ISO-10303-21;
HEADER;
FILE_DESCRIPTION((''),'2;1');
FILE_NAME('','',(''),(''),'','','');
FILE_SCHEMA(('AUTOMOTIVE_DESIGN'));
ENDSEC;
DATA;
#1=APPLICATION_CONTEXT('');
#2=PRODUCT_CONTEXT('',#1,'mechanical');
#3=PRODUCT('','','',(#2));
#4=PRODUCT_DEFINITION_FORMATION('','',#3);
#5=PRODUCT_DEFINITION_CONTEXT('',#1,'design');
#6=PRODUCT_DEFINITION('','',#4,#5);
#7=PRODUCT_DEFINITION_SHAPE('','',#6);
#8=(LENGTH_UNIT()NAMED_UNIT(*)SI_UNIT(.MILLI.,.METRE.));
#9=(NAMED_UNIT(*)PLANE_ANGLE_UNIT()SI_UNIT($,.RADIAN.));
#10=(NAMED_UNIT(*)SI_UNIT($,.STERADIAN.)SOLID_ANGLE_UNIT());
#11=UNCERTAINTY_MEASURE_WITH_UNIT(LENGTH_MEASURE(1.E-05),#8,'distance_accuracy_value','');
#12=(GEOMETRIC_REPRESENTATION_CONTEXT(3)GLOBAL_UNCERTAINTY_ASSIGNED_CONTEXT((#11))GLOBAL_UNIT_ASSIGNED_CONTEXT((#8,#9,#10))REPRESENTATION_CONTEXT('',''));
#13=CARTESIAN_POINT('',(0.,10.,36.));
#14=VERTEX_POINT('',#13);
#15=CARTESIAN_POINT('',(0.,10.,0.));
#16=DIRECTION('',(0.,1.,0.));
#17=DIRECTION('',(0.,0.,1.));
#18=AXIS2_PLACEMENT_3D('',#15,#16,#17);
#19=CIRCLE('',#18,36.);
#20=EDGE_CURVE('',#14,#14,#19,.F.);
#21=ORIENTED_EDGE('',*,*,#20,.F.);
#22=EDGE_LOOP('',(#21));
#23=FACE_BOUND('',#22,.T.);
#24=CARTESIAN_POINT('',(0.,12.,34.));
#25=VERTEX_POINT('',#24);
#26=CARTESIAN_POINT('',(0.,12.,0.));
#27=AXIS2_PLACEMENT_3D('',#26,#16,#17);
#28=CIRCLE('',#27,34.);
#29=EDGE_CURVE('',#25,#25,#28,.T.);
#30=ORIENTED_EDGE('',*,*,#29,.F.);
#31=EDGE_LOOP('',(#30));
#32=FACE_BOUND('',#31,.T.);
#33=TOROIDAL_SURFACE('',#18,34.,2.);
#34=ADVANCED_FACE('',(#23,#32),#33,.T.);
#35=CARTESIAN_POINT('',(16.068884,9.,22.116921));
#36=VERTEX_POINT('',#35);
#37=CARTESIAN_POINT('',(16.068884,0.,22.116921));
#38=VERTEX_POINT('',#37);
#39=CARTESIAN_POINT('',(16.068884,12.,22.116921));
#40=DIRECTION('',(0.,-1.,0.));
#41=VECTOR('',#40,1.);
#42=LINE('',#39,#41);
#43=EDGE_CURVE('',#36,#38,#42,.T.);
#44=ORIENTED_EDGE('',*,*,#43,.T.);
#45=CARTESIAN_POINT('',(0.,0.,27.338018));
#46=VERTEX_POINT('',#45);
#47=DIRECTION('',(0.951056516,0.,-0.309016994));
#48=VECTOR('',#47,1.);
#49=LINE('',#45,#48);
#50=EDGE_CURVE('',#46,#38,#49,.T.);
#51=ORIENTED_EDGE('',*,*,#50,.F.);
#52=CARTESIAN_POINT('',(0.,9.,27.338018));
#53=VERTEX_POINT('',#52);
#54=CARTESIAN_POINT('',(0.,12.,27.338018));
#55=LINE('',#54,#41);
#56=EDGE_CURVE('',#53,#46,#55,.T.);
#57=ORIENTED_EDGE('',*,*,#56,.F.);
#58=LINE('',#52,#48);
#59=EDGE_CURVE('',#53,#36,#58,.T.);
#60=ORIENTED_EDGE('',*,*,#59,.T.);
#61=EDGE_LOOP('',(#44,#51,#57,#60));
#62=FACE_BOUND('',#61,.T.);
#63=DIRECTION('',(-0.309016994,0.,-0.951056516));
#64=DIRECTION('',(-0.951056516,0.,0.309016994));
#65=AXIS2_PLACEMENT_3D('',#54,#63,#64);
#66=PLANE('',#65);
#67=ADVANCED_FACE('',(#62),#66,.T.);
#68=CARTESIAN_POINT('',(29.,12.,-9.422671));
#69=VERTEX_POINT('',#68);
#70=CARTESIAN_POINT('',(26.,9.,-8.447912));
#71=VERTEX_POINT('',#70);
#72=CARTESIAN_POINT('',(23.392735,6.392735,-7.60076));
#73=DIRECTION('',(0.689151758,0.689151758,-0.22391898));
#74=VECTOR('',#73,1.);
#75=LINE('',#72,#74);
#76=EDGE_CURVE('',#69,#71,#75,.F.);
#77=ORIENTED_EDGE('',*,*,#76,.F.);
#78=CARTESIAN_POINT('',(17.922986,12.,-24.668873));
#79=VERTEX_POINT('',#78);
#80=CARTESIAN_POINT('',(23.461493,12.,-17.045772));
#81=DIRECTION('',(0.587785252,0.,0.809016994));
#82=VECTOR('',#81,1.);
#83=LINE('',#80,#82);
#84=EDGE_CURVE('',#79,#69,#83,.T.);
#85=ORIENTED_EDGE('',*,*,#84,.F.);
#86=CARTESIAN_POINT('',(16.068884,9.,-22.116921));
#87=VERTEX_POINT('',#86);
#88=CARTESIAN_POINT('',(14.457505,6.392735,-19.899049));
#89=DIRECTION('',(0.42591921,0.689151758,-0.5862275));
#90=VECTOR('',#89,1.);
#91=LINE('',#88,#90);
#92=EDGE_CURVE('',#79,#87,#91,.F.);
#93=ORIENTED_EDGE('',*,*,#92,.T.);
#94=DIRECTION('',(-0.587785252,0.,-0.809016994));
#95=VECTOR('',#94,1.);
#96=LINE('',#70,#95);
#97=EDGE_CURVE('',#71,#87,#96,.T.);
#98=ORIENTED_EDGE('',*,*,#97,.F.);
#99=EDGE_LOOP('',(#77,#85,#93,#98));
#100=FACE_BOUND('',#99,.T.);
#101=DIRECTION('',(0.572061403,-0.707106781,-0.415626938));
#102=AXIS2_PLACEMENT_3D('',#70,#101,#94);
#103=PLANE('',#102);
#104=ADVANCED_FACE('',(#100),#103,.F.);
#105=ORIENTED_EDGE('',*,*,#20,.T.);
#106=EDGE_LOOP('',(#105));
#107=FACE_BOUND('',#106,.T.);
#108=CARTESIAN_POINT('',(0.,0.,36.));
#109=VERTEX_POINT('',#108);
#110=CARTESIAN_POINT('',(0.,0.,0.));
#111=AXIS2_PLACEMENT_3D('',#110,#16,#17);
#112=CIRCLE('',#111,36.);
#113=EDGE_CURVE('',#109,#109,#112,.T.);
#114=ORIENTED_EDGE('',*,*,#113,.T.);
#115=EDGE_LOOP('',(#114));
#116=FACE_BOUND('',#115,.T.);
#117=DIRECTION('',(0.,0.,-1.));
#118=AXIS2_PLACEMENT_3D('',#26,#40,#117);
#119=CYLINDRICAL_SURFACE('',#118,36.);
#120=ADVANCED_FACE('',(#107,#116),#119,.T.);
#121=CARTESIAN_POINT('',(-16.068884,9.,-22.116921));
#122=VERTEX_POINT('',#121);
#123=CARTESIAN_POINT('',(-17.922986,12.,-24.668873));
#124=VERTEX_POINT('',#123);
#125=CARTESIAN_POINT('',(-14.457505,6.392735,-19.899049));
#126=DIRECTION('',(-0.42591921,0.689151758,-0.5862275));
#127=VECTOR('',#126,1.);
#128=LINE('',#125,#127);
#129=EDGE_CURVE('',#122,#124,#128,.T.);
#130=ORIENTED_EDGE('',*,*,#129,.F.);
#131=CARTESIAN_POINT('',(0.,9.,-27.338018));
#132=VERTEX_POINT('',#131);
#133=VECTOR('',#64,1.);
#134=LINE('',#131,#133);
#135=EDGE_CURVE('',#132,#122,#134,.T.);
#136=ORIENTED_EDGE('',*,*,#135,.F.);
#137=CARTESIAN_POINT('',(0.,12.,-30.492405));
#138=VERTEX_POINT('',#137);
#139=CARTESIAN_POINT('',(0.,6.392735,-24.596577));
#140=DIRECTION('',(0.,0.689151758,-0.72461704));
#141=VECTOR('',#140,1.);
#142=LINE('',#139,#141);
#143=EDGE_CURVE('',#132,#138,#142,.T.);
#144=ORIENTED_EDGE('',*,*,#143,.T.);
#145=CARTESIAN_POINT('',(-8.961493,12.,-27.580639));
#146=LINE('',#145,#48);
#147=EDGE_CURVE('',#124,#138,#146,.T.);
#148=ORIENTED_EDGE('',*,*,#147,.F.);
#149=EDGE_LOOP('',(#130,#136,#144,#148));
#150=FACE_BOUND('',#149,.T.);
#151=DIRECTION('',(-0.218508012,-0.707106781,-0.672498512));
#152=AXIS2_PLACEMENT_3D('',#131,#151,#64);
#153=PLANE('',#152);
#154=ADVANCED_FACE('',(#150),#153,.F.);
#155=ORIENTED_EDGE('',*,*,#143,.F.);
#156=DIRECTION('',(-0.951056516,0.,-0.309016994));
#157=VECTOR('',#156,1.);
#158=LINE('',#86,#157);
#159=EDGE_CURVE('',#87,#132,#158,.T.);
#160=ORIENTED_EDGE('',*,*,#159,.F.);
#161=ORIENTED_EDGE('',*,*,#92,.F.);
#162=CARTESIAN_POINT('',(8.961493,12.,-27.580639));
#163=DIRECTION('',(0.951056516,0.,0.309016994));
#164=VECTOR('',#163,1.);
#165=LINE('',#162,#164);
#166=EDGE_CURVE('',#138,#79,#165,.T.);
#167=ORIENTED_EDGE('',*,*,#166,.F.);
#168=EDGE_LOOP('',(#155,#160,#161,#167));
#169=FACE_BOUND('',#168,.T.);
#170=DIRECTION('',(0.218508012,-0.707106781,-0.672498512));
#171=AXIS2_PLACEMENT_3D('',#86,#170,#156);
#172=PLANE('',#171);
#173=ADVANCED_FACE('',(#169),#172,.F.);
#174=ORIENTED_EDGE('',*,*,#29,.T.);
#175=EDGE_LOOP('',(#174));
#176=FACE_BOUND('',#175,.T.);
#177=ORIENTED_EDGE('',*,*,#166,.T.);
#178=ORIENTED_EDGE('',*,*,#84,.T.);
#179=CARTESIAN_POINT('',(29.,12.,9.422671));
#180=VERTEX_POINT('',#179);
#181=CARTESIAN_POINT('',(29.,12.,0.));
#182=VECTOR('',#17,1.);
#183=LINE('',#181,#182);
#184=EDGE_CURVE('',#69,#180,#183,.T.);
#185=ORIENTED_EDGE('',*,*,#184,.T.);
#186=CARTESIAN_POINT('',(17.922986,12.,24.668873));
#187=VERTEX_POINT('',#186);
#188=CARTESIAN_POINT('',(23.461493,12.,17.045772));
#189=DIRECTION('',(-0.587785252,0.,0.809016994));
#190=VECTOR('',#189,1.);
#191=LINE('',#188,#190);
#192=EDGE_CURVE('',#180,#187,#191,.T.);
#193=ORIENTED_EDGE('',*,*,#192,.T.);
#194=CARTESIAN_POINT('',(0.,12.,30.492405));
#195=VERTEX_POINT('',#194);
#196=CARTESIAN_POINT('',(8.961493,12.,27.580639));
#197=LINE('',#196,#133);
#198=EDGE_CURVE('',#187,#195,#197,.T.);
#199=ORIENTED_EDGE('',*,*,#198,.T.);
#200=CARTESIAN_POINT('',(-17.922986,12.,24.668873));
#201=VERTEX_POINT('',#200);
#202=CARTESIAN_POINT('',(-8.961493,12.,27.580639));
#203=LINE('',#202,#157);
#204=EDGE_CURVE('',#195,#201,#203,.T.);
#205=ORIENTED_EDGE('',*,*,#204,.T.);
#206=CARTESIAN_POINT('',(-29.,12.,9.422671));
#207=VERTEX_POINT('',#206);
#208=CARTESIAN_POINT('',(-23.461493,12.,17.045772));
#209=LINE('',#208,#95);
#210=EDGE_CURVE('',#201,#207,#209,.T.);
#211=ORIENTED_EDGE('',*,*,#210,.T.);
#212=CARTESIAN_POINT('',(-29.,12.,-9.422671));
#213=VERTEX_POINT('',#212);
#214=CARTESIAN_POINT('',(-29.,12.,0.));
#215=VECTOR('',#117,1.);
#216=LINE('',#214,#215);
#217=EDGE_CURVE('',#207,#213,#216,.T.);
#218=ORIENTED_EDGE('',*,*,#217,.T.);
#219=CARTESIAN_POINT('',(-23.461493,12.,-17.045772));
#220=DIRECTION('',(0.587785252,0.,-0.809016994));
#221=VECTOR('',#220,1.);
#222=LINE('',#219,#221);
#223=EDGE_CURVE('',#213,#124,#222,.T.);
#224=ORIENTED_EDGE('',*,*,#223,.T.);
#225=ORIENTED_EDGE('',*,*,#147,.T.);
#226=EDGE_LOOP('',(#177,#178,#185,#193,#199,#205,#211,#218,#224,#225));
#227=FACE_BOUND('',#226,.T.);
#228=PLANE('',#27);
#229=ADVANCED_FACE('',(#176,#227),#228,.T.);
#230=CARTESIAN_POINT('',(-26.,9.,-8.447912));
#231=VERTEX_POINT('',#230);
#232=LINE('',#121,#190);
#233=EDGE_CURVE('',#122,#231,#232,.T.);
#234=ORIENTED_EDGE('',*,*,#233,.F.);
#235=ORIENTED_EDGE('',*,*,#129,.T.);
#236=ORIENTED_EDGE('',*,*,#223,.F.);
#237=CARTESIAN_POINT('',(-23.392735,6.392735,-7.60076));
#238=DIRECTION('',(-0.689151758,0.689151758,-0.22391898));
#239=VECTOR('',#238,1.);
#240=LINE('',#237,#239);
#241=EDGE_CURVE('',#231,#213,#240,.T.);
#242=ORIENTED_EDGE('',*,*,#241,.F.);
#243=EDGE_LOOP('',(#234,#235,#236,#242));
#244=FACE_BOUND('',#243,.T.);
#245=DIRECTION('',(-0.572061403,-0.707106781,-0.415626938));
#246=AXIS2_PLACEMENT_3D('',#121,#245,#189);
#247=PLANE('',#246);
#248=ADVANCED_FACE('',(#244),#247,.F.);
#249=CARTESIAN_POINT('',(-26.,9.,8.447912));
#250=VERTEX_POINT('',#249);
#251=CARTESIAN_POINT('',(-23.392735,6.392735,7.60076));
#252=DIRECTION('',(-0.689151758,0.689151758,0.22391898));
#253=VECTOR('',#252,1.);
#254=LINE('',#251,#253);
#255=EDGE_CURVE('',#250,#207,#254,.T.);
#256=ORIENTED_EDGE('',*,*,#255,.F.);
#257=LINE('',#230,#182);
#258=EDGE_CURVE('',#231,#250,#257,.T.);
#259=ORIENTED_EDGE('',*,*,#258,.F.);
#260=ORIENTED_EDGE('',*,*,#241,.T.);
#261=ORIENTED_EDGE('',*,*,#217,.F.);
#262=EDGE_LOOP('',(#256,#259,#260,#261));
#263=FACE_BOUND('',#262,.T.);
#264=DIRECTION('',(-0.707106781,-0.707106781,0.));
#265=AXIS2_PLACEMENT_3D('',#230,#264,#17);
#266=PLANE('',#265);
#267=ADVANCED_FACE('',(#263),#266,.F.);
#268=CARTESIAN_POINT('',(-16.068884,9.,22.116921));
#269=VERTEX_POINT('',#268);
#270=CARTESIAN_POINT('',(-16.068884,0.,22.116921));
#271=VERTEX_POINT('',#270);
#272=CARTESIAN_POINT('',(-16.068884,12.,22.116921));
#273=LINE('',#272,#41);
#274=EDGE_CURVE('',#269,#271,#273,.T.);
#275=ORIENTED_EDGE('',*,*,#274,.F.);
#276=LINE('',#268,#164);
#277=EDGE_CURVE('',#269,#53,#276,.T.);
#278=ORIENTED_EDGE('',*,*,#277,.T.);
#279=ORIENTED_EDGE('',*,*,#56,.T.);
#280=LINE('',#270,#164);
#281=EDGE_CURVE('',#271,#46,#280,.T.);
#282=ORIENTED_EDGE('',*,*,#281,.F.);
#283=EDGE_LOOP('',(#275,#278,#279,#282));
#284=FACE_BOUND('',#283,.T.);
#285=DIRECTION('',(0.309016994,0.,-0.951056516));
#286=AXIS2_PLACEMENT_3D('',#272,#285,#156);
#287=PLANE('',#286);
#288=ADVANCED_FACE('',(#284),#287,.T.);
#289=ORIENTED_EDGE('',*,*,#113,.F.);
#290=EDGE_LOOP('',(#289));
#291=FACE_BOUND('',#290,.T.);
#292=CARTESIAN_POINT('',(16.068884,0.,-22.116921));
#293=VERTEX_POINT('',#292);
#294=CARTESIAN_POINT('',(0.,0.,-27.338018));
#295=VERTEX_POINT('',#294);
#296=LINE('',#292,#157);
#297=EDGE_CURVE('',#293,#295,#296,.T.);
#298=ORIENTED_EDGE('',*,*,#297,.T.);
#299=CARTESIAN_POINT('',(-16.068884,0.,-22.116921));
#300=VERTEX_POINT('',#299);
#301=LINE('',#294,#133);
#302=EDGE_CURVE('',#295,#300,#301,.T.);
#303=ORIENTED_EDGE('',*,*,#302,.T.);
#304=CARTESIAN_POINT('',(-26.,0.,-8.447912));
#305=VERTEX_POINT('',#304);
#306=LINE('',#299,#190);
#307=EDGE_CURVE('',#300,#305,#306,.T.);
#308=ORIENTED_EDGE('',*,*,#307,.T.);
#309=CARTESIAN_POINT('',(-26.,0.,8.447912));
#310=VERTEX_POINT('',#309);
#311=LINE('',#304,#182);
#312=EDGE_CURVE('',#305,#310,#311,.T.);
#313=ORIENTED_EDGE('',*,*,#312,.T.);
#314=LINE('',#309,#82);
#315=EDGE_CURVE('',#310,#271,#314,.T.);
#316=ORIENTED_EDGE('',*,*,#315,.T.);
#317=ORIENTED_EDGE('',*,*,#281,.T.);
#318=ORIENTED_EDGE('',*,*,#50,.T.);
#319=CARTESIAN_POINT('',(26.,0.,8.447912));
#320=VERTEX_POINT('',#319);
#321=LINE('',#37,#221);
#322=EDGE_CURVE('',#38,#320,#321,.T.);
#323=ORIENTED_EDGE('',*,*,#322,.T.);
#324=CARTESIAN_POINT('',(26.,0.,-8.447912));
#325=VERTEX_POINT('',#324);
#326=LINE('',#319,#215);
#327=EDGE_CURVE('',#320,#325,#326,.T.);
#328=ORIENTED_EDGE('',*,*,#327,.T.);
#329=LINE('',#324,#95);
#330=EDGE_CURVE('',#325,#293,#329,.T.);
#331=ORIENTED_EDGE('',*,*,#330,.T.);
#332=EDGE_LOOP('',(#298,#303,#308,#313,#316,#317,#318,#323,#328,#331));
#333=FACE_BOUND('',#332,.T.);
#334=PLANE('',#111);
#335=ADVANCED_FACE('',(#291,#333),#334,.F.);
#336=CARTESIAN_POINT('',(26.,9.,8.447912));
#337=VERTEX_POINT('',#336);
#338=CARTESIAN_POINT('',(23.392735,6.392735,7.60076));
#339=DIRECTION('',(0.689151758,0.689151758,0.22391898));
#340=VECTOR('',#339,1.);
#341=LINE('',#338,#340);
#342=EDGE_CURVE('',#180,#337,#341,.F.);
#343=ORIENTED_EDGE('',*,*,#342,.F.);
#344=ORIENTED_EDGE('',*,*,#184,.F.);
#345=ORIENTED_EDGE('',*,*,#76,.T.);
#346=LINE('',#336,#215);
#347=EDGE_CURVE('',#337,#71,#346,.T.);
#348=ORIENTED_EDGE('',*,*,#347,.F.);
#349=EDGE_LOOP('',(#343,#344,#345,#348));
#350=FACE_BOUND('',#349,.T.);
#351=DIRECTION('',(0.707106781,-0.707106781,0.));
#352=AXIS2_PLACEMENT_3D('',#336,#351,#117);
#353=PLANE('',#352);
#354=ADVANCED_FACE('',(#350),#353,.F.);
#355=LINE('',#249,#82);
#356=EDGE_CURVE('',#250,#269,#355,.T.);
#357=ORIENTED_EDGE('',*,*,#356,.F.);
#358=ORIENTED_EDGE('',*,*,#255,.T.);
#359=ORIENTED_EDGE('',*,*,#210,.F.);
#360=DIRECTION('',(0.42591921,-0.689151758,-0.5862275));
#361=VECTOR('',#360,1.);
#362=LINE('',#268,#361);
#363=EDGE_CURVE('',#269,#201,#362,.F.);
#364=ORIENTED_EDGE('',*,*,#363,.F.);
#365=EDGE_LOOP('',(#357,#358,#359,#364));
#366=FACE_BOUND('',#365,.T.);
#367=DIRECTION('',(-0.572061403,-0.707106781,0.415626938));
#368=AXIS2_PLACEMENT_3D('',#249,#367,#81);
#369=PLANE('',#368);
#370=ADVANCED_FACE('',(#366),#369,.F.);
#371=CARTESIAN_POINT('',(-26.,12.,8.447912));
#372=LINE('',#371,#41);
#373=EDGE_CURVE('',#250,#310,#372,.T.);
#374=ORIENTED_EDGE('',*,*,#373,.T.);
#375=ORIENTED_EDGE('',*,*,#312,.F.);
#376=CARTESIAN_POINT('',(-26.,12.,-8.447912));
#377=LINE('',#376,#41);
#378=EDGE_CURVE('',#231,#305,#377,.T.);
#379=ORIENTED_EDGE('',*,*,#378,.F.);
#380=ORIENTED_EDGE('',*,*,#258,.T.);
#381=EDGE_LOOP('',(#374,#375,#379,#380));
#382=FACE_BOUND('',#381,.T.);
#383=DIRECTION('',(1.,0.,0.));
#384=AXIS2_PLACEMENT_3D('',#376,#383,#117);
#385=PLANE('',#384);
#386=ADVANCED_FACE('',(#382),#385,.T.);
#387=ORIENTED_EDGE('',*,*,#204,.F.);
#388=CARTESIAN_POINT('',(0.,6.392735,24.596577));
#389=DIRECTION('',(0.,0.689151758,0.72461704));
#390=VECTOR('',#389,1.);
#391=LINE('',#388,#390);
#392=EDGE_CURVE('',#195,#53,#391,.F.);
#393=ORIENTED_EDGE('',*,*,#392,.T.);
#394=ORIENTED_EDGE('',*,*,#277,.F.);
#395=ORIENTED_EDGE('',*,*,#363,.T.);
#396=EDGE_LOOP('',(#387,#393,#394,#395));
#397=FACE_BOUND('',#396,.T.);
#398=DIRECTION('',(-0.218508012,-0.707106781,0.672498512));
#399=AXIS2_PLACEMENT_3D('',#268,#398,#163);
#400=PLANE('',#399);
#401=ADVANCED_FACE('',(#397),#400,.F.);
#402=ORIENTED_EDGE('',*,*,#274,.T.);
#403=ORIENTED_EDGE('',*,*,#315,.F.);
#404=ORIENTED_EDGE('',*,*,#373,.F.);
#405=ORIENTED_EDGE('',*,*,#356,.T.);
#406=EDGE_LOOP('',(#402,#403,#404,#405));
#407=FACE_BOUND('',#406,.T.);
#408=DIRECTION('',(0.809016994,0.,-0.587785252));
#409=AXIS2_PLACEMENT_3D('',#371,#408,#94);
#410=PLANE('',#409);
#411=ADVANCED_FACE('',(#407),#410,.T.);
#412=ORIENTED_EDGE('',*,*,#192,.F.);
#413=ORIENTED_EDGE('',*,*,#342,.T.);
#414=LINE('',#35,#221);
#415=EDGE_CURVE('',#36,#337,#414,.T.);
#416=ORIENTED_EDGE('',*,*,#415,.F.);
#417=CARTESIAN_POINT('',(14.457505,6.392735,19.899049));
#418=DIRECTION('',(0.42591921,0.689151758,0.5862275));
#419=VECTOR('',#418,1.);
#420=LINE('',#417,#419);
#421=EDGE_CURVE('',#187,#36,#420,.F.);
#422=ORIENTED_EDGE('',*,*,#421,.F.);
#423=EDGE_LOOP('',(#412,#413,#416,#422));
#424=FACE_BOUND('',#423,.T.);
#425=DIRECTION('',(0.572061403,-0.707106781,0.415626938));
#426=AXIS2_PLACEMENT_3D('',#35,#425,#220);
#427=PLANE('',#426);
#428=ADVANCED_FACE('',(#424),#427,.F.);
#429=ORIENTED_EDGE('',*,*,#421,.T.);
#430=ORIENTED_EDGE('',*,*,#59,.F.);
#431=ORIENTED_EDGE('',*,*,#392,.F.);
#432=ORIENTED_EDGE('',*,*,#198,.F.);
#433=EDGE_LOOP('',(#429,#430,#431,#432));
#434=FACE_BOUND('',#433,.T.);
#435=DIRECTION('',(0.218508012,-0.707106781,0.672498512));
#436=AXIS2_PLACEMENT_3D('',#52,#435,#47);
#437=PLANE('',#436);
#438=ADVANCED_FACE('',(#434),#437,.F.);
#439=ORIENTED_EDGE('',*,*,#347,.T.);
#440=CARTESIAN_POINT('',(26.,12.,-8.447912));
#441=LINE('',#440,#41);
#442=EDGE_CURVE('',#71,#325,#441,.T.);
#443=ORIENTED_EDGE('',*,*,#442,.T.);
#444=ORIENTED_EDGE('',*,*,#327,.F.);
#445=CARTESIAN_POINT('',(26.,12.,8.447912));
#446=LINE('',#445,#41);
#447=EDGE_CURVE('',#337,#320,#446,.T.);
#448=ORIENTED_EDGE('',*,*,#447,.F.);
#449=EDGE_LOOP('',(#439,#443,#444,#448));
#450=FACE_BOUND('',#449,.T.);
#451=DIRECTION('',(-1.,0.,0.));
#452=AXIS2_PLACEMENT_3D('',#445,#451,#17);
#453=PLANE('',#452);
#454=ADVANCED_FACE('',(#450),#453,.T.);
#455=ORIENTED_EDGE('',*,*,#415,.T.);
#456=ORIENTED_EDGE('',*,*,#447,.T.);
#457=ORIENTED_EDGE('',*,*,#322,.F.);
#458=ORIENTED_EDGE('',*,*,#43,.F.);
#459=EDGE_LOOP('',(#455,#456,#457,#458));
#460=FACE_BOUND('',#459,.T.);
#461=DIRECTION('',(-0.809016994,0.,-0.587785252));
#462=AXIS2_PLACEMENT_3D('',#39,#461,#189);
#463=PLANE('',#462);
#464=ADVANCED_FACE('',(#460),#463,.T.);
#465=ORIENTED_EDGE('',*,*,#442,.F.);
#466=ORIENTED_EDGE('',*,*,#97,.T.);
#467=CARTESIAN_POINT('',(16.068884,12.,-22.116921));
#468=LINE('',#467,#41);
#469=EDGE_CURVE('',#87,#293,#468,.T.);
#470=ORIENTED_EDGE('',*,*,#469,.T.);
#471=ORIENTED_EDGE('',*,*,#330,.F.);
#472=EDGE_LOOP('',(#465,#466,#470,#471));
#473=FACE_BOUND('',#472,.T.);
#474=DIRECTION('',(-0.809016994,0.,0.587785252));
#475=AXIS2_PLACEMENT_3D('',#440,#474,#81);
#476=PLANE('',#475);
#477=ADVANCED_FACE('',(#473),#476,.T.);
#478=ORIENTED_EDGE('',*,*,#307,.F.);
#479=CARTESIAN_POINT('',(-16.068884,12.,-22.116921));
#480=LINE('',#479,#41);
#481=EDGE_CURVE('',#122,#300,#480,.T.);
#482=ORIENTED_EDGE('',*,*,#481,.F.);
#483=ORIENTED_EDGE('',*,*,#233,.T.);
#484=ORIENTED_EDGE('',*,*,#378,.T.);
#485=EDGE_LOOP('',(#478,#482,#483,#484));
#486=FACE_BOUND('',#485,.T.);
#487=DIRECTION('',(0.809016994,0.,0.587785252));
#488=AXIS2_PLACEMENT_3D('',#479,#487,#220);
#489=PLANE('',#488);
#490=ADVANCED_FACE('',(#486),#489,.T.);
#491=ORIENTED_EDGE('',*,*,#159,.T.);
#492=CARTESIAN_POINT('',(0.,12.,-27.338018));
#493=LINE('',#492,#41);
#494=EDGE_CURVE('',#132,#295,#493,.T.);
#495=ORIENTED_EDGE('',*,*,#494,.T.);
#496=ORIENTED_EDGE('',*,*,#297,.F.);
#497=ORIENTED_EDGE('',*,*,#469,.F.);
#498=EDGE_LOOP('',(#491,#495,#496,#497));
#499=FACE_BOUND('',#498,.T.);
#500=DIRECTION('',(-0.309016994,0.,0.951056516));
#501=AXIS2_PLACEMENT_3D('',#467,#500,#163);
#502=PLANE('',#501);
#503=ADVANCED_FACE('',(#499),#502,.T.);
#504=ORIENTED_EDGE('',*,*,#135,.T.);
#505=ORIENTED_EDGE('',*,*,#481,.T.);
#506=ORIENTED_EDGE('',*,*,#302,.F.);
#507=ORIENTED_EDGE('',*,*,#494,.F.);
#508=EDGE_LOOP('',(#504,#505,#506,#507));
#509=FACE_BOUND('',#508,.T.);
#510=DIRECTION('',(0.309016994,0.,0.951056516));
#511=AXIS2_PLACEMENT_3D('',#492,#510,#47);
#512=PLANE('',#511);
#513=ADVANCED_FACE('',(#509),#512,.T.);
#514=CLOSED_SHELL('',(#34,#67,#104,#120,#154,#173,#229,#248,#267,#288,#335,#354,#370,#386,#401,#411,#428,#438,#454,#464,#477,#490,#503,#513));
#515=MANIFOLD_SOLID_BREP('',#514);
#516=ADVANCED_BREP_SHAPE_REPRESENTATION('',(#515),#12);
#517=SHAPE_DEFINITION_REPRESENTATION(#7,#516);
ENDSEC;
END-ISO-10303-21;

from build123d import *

# Parameters (mm, degrees)
SKETCH1_R           = 36
BOSS_EXTRUDE1_DEPTH = 12
FILLET1_R           = 2
CHAMFER1_SIZE       = 3


with BuildPart() as part:
    # Sketch1 → Boss-Extrude1 (new body)
    with BuildSketch(Plane(origin=(0, 0, 0), x_dir=(1, 0, 0), z_dir=(0, 1, 0))):
        with Locations(Location((0, 0, 0), (0, 0, 270))):
            Circle(SKETCH1_R)
        Polygon((16.068883707, 22.116921017), (0, 27.33801783), (-16.068883707, 22.116921017), (-26, 8.447912102), (-26, -8.447912102), (-16.068883707, -22.116921017), (0, -27.33801783), (16.068883707, -22.116921017), (26, -8.447912102), (26, 8.447912102), align=None, mode=Mode.SUBTRACT)
    extrude(amount=BOSS_EXTRUDE1_DEPTH)

    # Fillet1
    fillet1_edges = [part.edges().sort_by_distance(p)[0] for p in [
        (0, 12, -36),
    ]]
    fillet(fillet1_edges, radius=FILLET1_R)

    # Chamfer1
    chamfer1_edges = [part.edges().sort_by_distance(p)[0] for p in [
        (21.034441854, 12, -15.28241656),
        (8.034441854, 12, -24.727469424),
        (-8.034441854, 12, -24.727469424),
        (-21.034441854, 12, -15.28241656),
        (-26, 12, 0),
        (-21.034441854, 12, 15.28241656),
        (-8.034441854, 12, 24.727469424),
        (8.034441854, 12, 24.727469424),
        (21.034441854, 12, 15.28241656),
        (26, 12, 0),
    ]]
    chamfer(chamfer1_edges, length=CHAMFER1_SIZE)


solid = part.part
